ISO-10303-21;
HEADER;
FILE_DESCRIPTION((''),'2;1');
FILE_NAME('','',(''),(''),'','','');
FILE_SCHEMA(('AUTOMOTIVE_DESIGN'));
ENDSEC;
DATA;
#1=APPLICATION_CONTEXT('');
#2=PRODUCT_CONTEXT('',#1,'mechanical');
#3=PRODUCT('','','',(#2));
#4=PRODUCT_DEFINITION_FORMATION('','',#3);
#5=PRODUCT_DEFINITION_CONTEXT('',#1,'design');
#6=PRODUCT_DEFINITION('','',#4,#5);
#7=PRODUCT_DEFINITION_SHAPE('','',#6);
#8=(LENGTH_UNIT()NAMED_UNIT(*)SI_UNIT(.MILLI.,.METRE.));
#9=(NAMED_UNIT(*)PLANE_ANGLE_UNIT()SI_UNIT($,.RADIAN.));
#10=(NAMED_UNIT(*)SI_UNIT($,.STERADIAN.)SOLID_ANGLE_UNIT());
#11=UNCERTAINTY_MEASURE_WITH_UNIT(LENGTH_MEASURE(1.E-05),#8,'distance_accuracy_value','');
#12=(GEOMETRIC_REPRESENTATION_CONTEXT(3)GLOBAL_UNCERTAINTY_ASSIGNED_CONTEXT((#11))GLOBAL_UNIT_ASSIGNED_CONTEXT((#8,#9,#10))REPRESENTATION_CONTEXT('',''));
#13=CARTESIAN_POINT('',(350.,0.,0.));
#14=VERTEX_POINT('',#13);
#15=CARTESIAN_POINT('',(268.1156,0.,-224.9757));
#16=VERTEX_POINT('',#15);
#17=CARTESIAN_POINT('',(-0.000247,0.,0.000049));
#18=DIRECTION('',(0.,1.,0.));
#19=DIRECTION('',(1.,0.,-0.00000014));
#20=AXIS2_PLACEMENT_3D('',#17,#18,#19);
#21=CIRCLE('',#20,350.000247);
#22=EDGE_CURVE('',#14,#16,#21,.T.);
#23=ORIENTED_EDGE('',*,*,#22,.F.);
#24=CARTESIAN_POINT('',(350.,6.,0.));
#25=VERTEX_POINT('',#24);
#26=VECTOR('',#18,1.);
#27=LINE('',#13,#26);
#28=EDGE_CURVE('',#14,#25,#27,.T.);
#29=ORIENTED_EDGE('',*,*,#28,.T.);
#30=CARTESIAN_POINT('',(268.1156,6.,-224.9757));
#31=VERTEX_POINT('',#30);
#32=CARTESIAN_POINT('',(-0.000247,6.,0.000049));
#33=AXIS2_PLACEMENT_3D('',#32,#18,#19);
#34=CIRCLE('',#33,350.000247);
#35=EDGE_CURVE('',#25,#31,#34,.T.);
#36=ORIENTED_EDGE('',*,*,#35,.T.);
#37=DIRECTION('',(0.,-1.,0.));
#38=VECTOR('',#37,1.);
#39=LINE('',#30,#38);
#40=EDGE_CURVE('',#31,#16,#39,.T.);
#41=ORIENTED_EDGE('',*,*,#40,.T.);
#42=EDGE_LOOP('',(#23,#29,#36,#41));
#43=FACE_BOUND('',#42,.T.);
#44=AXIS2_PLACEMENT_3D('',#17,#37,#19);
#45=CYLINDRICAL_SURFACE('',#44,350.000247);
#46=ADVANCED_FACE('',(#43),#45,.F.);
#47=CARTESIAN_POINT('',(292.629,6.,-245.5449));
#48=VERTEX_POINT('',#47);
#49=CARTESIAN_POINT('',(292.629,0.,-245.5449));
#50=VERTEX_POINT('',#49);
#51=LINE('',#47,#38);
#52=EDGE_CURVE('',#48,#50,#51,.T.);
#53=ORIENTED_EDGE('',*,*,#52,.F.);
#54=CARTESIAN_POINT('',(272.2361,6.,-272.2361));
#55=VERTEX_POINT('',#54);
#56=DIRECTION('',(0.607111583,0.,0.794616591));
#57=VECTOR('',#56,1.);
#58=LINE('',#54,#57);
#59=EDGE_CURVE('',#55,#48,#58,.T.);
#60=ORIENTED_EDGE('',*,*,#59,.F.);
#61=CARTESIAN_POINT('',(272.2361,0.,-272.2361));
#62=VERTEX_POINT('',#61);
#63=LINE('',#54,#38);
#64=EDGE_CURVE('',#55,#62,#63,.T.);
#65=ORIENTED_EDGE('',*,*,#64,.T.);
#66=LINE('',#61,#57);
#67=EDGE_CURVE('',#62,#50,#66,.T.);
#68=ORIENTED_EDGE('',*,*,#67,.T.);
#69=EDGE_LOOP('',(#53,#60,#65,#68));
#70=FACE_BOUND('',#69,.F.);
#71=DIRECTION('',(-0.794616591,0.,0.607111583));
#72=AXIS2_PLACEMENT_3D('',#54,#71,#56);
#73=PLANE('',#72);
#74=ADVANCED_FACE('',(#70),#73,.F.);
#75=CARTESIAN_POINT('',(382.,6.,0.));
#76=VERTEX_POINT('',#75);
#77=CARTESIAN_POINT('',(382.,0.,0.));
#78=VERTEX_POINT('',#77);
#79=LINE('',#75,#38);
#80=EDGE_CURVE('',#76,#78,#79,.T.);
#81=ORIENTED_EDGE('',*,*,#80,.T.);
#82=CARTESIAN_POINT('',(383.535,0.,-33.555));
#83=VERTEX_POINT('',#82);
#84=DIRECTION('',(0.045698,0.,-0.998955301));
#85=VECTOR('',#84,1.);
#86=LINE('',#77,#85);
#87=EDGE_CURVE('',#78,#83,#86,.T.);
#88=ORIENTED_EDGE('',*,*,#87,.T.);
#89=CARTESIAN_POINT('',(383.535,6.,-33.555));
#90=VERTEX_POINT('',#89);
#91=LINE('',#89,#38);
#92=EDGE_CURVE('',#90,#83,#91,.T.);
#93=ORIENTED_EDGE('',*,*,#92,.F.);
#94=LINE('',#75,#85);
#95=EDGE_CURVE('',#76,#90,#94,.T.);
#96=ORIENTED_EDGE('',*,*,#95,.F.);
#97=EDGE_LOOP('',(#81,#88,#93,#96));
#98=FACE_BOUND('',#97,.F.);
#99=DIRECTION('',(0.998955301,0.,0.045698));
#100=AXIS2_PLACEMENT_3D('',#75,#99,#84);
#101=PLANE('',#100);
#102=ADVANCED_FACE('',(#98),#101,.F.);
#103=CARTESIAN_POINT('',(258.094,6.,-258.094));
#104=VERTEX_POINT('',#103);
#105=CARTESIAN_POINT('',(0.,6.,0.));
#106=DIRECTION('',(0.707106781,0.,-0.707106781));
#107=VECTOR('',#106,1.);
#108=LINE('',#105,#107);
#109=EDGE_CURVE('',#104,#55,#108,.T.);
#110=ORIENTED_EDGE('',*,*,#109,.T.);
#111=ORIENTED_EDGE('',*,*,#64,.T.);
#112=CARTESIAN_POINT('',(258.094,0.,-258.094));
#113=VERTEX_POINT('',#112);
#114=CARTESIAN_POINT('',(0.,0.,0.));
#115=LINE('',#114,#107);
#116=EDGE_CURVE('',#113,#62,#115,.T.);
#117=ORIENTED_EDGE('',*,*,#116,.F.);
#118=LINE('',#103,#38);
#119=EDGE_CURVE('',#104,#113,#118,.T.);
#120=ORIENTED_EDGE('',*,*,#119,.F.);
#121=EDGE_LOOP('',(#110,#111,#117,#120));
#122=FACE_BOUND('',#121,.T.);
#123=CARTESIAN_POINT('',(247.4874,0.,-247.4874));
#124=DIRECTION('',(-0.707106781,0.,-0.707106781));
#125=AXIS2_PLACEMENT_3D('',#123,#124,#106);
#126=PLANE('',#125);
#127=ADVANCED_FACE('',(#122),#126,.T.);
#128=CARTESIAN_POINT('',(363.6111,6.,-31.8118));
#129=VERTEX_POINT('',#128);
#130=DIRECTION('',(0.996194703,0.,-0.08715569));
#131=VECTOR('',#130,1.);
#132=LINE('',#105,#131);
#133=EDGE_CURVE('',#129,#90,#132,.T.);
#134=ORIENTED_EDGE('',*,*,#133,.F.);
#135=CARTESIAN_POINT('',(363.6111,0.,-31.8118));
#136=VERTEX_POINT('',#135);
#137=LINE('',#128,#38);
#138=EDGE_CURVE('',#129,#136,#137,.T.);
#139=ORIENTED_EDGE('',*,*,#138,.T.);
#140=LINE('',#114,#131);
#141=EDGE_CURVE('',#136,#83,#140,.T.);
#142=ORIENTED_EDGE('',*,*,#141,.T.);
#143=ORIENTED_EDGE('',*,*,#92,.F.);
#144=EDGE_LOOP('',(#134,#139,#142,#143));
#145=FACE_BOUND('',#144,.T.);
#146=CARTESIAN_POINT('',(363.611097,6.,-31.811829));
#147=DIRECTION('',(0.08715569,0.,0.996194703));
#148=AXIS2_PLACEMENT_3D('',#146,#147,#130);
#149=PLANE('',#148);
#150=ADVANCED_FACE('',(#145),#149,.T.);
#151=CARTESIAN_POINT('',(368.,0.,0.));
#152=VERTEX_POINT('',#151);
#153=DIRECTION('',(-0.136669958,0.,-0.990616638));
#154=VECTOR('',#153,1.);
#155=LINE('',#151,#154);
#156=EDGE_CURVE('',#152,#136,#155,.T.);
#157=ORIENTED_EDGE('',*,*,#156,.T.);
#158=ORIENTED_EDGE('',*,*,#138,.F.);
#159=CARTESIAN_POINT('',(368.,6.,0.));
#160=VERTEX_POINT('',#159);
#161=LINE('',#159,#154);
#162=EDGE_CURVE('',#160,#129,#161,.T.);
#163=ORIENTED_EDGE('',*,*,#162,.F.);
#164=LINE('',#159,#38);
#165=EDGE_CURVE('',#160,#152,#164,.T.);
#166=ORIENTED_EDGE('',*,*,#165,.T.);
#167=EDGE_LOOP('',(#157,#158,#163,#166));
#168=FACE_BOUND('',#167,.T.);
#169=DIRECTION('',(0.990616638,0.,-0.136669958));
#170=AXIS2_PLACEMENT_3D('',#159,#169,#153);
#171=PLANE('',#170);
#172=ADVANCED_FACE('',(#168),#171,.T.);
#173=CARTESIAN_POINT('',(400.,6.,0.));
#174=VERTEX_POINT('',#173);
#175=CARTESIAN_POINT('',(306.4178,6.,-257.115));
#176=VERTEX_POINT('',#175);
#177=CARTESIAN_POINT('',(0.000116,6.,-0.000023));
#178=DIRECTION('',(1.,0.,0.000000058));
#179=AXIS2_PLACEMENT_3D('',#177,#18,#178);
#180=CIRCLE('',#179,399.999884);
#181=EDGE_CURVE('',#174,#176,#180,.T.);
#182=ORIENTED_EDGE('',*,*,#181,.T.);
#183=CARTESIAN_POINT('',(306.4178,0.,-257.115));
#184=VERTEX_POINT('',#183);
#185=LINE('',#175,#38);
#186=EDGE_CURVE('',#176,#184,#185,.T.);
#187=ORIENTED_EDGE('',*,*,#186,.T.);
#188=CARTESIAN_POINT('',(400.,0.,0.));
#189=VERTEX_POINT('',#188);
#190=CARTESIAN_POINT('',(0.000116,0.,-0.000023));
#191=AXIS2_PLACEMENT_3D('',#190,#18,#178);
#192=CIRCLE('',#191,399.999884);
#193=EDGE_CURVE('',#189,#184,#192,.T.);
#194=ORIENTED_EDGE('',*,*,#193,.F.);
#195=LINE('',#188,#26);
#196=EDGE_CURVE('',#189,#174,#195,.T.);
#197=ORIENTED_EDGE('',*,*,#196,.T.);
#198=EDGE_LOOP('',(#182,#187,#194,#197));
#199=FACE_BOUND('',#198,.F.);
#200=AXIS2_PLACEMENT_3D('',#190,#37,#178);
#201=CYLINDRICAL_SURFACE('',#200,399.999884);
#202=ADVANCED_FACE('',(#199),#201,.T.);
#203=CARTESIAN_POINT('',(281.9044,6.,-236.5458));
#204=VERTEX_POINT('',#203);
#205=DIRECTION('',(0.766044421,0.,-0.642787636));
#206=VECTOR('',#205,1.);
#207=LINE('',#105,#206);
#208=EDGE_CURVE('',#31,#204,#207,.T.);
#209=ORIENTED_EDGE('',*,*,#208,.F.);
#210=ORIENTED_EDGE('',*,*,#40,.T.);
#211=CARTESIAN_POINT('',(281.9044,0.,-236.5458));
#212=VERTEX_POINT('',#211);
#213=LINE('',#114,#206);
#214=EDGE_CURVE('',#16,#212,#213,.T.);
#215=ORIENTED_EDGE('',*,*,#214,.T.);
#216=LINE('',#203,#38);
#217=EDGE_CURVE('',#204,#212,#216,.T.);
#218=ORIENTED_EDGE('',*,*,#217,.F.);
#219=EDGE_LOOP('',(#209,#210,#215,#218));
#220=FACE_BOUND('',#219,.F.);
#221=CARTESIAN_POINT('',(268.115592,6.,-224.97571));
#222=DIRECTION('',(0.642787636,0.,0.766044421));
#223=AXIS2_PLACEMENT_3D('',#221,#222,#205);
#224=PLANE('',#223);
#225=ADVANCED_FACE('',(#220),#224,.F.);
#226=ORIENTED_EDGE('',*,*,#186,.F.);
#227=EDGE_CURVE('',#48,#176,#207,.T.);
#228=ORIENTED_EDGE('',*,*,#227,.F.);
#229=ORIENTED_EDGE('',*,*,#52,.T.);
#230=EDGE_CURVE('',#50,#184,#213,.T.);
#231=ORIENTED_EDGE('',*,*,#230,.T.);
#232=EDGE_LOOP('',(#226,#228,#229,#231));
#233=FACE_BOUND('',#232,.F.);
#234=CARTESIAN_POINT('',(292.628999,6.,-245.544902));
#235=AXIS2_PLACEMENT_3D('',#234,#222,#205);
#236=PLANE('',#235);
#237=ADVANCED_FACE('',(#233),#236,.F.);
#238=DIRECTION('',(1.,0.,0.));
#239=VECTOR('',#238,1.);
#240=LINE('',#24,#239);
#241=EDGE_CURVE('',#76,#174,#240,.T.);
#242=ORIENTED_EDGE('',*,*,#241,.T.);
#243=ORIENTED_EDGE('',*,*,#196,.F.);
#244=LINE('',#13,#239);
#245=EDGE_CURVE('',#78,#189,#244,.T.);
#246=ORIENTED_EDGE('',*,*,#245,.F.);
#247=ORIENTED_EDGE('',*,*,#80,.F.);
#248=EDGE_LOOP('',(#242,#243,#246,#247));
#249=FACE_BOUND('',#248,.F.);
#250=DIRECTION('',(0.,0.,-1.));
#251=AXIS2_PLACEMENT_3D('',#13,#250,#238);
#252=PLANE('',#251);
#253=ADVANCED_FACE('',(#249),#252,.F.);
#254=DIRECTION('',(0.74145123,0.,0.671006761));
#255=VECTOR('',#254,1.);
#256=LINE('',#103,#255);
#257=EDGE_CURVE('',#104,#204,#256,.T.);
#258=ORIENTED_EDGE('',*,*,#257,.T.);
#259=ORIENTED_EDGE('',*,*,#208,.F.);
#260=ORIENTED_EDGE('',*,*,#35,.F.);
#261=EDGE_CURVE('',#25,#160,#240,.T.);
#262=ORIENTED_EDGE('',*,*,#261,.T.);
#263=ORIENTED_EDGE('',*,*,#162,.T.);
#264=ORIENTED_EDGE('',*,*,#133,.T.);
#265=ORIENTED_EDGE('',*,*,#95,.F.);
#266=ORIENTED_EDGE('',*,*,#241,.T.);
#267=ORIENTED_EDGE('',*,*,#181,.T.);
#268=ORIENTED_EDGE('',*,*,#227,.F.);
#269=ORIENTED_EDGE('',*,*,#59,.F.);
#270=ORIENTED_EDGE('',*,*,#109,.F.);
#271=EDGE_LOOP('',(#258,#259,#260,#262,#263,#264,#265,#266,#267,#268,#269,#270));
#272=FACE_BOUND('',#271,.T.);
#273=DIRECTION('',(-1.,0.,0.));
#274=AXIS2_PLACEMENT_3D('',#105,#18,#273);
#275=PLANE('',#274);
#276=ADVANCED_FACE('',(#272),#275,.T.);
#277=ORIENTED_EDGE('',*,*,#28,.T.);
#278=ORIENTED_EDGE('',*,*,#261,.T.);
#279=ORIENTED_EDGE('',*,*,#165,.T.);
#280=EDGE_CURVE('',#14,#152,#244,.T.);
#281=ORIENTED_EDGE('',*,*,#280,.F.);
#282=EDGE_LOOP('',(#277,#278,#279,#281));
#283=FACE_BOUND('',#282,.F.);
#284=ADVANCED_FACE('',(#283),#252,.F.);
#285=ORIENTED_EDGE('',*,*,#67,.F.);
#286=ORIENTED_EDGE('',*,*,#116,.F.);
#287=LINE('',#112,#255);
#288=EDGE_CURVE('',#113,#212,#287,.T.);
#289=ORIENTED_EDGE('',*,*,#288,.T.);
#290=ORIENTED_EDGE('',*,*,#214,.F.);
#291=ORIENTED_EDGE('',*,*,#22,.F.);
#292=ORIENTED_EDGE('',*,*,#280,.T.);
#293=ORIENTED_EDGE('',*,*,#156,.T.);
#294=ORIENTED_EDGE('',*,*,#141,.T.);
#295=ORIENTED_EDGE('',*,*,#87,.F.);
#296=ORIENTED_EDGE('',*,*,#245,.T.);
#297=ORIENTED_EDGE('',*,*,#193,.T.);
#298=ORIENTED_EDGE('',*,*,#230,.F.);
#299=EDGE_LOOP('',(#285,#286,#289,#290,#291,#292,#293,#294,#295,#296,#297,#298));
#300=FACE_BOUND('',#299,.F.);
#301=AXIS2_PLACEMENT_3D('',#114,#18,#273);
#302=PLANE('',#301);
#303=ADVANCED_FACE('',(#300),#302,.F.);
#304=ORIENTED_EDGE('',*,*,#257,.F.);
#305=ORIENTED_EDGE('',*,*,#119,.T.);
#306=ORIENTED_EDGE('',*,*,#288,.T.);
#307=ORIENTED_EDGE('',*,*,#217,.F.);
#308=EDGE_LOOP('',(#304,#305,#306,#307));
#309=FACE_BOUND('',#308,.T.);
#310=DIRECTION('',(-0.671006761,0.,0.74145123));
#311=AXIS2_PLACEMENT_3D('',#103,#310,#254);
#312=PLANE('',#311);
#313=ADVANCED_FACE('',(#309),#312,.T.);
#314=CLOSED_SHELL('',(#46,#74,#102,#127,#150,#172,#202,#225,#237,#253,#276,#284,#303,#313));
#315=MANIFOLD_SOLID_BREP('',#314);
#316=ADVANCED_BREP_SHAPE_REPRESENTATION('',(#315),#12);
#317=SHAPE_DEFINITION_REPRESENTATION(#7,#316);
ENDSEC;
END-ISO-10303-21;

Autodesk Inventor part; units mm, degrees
ref_plane "YZ Plane" through (0, 0, 0) normal (1, 0, 0) x (0, 1, 0)
ref_plane "XZ Plane" through (0, 0, 0) normal (0, 1, 0) x (-1, 0, 0)
ref_plane "XY Plane" through (0, 0, 0) normal (0, 0, 1) x (1, 0, 0)
sketch "Esboço1" plane through (0, 0, 0) normal (0, 1, 0) x (-1, 0, 0)
  arc A0 (-350, 0) -> (-247.4874, -247.4874) centre (0, 0) ccw
  arc A1 (-400, 0) -> (-282.8427, -282.8427) centre (0, 0) ccw
  circle A2 centre (0, 0) radius 400
  circle A3 centre (0, 0) radius 350
  line L0 (0, 0) -> (-407.9373, -407.9373)
  line L1 (0, 0) -> (-1224.3013, 0) construction
  line L2 (-350, 0) -> (-400, 0)
  point P0 (-282.8427, -282.8427)
  point P1 (-247.4874, -247.4874)
  dimension "d27" = 700
  dimension "d28" = 800
  dimension "d87" = 45
extrude "Extrusão1" add sketch "Esboço1" along normal blind 6 contours A0 L0 A1 L2
sketch "Esboço5" plane through (0, 6, 0) normal (0, 1, 0) x (1, 0, 0)
  arc A0 (400, 0) -> (282.8427, 282.8427) centre (0, 0) ccw projected
  circle A1 centre (0, 0) radius 400
  circle A2 centre (0, 0) radius 350
  line L0 (0, 0) -> (356.9788, 299.5408)
  line L1 (282.8427, 282.8427) -> (247.4874, 247.4874) projected
  line L2 (282.8427, 282.8427) -> (272.2361, 272.2361)
  line L3 (272.2361, 272.2361) -> (258.094, 258.094)
  line L4 (258.094, 258.094) -> (247.4874, 247.4874)
  line L5 (306.4178, 257.115) -> (292.629, 245.5449)
  line L6 (292.629, 245.5449) -> (281.9044, 236.5458)
  line L7 (281.9044, 236.5458) -> (268.1156, 224.9757)
  line L8 (258.094, 258.094) -> (281.9044, 236.5458)
  line L9 (272.2361, 272.2361) -> (292.629, 245.5449)
  point P0 (306.4178, 257.115)
  dimension "d88" = -5
  dimension "d89" = 15
  dimension "d90" = 20
  dimension "d91" = 18
  dimension "d92" = 14
extrude "Extrusão5" cut sketch "Esboço5" against normal up to surface (6 mm away) contours L0 L9 L1 A0 | L0 A2 L1 L8
sketch "Esboço6" plane through (0, 6, 0) normal (0, 1, 0) x (1, 0, 0)
  arc A0 (400, 0) -> (306.4178, 257.115) centre (0, 0) ccw projected
  circle A1 centre (0, 0) radius 400
  arc A2 (350, 0) -> (224.9757, 268.1156) centre (0, 0) ccw projected
  circle A3 centre (0, 0) radius 350
  line L0 (0, 0) -> (512.6153, 44.848)
  line L1 (350, 0) -> (400, 0) projected
  line L2 (350, 0) -> (368, 0)
  line L3 (368, 0) -> (382, 0)
  line L4 (382, 0) -> (400, 0)
  line L5 (348.6681, 30.5045) -> (363.6111, 31.8118)
  line L6 (363.6111, 31.8118) -> (383.535, 33.555)
  line L7 (383.535, 33.555) -> (398.4779, 34.8623)
  line L8 (368, 0) -> (363.6111, 31.8118)
  line L9 (382, 0) -> (383.535, 33.555)
  point P0 (257.115, 306.4178)
  dimension "d93" = -5
  dimension "d94" = 18
  dimension "d95" = 14
  dimension "d96" = 15
  dimension "d97" = 20
extrude "Extrusão6" cut sketch "Esboço6" against normal up to surface (6 mm away) contours L1 L8 L0 L9
properties part number "base"
